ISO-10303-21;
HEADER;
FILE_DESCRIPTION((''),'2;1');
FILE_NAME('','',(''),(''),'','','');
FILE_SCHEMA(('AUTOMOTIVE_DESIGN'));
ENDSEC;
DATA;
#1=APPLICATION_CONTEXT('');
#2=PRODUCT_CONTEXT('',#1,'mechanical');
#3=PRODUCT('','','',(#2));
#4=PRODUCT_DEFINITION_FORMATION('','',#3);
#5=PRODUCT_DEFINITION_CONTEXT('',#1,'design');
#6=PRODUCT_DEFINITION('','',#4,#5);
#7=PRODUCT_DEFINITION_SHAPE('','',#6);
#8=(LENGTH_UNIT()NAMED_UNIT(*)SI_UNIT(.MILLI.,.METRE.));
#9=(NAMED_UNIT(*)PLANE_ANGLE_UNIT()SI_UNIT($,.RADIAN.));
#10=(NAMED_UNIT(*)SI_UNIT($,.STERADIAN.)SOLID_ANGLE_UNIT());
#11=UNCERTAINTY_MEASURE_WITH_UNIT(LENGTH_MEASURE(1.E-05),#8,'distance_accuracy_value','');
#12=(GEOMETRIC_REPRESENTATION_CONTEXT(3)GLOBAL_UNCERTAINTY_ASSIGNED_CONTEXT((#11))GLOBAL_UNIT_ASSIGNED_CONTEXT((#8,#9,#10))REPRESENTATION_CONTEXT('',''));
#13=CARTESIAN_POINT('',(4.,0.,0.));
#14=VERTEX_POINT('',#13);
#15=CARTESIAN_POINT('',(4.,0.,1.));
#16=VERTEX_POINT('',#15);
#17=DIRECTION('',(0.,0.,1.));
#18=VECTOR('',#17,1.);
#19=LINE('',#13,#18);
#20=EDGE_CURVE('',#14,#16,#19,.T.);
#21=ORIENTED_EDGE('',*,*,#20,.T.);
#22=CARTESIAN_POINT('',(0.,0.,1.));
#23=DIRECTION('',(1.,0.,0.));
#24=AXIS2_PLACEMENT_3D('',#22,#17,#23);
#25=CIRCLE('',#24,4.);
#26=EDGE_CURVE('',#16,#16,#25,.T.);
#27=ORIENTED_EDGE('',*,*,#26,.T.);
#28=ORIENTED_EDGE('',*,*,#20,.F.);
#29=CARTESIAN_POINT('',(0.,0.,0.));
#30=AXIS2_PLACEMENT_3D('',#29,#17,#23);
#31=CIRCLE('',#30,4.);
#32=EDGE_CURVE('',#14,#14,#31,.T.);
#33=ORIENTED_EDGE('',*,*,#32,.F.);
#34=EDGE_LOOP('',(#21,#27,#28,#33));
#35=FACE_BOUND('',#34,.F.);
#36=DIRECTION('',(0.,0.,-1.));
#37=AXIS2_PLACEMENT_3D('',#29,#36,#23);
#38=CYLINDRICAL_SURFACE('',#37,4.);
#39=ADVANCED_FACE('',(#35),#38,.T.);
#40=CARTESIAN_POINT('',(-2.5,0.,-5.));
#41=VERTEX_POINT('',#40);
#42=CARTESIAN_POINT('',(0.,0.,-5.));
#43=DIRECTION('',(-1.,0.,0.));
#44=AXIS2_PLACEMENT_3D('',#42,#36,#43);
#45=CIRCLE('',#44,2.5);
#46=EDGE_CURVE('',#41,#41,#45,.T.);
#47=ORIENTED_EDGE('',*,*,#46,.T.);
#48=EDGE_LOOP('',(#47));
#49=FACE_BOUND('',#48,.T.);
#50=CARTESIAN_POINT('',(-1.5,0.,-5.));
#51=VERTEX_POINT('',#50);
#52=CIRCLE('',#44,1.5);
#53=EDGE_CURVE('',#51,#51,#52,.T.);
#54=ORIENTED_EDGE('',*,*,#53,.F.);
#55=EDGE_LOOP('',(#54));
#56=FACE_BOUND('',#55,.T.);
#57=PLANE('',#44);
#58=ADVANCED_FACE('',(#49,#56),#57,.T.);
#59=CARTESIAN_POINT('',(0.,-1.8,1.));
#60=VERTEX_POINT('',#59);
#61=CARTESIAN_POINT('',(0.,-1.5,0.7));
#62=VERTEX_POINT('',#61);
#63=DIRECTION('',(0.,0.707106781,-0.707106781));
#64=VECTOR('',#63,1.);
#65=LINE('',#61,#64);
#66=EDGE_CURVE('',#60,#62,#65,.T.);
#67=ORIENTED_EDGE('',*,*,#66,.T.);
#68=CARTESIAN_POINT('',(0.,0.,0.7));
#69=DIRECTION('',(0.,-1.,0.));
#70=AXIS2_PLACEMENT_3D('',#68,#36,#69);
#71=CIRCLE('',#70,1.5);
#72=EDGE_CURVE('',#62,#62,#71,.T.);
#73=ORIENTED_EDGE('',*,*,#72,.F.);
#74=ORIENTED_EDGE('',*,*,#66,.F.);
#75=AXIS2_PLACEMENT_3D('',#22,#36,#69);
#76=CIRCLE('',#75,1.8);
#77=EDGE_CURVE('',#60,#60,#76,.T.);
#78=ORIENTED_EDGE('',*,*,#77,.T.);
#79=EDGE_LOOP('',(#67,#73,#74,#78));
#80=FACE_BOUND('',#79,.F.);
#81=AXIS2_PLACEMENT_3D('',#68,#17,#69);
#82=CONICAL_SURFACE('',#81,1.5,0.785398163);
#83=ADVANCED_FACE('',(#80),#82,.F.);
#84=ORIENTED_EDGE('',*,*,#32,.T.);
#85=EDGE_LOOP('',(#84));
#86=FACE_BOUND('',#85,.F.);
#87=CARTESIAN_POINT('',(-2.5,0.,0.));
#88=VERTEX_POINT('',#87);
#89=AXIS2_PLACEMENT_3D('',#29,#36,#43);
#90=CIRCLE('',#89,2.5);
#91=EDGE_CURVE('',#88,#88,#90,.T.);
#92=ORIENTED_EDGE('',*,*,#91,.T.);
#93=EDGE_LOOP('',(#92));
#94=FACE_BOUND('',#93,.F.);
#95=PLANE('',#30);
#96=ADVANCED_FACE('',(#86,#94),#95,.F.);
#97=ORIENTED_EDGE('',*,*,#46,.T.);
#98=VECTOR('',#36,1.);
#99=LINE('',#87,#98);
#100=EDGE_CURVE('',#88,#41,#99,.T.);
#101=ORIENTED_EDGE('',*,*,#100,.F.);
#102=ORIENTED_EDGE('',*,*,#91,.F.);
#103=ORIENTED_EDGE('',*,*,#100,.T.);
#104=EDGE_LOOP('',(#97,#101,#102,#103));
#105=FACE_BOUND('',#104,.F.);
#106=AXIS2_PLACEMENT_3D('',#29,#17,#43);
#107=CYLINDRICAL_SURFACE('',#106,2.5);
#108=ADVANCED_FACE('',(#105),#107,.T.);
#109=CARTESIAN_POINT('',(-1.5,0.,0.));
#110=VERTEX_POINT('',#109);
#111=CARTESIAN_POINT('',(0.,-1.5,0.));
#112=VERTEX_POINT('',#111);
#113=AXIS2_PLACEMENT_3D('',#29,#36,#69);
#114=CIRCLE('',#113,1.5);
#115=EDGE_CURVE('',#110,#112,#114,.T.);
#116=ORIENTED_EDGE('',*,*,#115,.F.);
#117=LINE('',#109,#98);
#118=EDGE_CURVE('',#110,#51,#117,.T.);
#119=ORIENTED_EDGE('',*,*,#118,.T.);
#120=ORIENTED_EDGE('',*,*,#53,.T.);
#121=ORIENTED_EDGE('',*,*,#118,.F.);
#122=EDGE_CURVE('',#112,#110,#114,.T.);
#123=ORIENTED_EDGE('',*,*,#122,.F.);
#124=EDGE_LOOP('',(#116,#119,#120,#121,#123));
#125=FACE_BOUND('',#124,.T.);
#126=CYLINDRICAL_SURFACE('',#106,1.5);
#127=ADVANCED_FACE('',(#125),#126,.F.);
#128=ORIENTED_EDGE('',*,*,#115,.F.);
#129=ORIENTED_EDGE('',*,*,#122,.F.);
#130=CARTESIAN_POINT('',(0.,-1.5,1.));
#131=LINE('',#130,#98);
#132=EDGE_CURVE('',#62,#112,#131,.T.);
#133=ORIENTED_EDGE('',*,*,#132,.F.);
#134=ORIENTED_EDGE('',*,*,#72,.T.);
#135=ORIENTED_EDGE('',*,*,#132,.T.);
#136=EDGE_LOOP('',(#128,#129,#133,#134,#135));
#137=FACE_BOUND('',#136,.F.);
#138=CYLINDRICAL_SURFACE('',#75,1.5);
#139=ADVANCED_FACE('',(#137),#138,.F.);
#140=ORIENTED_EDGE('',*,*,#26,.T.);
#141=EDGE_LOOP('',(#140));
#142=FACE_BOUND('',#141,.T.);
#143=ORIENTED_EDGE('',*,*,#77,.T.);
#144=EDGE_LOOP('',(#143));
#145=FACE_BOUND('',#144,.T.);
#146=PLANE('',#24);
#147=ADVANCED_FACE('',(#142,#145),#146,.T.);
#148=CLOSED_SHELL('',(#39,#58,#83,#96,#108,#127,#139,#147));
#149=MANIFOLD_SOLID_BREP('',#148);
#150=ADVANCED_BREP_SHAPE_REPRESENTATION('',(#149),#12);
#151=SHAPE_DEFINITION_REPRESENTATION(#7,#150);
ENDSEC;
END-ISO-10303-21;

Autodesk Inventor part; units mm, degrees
ref_plane "YZ Plane" through (0, 0, 0) normal (1, 0, 0) x (0, 1, 0)
ref_plane "XZ Plane" through (0, 0, 0) normal (0, 1, 0) x (-1, 0, 0)
ref_plane "XY Plane" through (0, 0, 0) normal (0, 0, 1) x (1, 0, 0)
sketch "スケッチ1" plane through (0, 0, 0) normal (0, 0, 1) x (1, 0, 0)
  circle A0 centre (0, 0) radius 4
  dimension "d0" = 8
extrude "押し出し1" add sketch "スケッチ1" along normal blind 1
sketch "スケッチ2" plane through (0, 0, 1) normal (0, 0, 1) x (1, 0, 0)
  circle A0 centre (0, 0) radius 1.5
  dimension "d3" = 3
hole "穴1" at (0, 0, 1) direction (0, 0, -1) diameter 3 end through all
chamfer "面取り1" distance 0.3 angle 45 1 edges at (0, 1.5, 1)
sketch "スケッチ3" plane through (0, 0, 0) normal (0, 0, -1) x (-1, 0, 0)
  circle A0 centre (0, 0) radius 1.5
  circle A1 centre (0, 0) radius 1.5 projected
  circle A2 centre (0, 0) radius 2.5
  dimension "d14" = 5
extrude "押し出し2" add sketch "スケッチ3" along normal blind 5
properties part number "RD018_ブッシュ80F-0305"
